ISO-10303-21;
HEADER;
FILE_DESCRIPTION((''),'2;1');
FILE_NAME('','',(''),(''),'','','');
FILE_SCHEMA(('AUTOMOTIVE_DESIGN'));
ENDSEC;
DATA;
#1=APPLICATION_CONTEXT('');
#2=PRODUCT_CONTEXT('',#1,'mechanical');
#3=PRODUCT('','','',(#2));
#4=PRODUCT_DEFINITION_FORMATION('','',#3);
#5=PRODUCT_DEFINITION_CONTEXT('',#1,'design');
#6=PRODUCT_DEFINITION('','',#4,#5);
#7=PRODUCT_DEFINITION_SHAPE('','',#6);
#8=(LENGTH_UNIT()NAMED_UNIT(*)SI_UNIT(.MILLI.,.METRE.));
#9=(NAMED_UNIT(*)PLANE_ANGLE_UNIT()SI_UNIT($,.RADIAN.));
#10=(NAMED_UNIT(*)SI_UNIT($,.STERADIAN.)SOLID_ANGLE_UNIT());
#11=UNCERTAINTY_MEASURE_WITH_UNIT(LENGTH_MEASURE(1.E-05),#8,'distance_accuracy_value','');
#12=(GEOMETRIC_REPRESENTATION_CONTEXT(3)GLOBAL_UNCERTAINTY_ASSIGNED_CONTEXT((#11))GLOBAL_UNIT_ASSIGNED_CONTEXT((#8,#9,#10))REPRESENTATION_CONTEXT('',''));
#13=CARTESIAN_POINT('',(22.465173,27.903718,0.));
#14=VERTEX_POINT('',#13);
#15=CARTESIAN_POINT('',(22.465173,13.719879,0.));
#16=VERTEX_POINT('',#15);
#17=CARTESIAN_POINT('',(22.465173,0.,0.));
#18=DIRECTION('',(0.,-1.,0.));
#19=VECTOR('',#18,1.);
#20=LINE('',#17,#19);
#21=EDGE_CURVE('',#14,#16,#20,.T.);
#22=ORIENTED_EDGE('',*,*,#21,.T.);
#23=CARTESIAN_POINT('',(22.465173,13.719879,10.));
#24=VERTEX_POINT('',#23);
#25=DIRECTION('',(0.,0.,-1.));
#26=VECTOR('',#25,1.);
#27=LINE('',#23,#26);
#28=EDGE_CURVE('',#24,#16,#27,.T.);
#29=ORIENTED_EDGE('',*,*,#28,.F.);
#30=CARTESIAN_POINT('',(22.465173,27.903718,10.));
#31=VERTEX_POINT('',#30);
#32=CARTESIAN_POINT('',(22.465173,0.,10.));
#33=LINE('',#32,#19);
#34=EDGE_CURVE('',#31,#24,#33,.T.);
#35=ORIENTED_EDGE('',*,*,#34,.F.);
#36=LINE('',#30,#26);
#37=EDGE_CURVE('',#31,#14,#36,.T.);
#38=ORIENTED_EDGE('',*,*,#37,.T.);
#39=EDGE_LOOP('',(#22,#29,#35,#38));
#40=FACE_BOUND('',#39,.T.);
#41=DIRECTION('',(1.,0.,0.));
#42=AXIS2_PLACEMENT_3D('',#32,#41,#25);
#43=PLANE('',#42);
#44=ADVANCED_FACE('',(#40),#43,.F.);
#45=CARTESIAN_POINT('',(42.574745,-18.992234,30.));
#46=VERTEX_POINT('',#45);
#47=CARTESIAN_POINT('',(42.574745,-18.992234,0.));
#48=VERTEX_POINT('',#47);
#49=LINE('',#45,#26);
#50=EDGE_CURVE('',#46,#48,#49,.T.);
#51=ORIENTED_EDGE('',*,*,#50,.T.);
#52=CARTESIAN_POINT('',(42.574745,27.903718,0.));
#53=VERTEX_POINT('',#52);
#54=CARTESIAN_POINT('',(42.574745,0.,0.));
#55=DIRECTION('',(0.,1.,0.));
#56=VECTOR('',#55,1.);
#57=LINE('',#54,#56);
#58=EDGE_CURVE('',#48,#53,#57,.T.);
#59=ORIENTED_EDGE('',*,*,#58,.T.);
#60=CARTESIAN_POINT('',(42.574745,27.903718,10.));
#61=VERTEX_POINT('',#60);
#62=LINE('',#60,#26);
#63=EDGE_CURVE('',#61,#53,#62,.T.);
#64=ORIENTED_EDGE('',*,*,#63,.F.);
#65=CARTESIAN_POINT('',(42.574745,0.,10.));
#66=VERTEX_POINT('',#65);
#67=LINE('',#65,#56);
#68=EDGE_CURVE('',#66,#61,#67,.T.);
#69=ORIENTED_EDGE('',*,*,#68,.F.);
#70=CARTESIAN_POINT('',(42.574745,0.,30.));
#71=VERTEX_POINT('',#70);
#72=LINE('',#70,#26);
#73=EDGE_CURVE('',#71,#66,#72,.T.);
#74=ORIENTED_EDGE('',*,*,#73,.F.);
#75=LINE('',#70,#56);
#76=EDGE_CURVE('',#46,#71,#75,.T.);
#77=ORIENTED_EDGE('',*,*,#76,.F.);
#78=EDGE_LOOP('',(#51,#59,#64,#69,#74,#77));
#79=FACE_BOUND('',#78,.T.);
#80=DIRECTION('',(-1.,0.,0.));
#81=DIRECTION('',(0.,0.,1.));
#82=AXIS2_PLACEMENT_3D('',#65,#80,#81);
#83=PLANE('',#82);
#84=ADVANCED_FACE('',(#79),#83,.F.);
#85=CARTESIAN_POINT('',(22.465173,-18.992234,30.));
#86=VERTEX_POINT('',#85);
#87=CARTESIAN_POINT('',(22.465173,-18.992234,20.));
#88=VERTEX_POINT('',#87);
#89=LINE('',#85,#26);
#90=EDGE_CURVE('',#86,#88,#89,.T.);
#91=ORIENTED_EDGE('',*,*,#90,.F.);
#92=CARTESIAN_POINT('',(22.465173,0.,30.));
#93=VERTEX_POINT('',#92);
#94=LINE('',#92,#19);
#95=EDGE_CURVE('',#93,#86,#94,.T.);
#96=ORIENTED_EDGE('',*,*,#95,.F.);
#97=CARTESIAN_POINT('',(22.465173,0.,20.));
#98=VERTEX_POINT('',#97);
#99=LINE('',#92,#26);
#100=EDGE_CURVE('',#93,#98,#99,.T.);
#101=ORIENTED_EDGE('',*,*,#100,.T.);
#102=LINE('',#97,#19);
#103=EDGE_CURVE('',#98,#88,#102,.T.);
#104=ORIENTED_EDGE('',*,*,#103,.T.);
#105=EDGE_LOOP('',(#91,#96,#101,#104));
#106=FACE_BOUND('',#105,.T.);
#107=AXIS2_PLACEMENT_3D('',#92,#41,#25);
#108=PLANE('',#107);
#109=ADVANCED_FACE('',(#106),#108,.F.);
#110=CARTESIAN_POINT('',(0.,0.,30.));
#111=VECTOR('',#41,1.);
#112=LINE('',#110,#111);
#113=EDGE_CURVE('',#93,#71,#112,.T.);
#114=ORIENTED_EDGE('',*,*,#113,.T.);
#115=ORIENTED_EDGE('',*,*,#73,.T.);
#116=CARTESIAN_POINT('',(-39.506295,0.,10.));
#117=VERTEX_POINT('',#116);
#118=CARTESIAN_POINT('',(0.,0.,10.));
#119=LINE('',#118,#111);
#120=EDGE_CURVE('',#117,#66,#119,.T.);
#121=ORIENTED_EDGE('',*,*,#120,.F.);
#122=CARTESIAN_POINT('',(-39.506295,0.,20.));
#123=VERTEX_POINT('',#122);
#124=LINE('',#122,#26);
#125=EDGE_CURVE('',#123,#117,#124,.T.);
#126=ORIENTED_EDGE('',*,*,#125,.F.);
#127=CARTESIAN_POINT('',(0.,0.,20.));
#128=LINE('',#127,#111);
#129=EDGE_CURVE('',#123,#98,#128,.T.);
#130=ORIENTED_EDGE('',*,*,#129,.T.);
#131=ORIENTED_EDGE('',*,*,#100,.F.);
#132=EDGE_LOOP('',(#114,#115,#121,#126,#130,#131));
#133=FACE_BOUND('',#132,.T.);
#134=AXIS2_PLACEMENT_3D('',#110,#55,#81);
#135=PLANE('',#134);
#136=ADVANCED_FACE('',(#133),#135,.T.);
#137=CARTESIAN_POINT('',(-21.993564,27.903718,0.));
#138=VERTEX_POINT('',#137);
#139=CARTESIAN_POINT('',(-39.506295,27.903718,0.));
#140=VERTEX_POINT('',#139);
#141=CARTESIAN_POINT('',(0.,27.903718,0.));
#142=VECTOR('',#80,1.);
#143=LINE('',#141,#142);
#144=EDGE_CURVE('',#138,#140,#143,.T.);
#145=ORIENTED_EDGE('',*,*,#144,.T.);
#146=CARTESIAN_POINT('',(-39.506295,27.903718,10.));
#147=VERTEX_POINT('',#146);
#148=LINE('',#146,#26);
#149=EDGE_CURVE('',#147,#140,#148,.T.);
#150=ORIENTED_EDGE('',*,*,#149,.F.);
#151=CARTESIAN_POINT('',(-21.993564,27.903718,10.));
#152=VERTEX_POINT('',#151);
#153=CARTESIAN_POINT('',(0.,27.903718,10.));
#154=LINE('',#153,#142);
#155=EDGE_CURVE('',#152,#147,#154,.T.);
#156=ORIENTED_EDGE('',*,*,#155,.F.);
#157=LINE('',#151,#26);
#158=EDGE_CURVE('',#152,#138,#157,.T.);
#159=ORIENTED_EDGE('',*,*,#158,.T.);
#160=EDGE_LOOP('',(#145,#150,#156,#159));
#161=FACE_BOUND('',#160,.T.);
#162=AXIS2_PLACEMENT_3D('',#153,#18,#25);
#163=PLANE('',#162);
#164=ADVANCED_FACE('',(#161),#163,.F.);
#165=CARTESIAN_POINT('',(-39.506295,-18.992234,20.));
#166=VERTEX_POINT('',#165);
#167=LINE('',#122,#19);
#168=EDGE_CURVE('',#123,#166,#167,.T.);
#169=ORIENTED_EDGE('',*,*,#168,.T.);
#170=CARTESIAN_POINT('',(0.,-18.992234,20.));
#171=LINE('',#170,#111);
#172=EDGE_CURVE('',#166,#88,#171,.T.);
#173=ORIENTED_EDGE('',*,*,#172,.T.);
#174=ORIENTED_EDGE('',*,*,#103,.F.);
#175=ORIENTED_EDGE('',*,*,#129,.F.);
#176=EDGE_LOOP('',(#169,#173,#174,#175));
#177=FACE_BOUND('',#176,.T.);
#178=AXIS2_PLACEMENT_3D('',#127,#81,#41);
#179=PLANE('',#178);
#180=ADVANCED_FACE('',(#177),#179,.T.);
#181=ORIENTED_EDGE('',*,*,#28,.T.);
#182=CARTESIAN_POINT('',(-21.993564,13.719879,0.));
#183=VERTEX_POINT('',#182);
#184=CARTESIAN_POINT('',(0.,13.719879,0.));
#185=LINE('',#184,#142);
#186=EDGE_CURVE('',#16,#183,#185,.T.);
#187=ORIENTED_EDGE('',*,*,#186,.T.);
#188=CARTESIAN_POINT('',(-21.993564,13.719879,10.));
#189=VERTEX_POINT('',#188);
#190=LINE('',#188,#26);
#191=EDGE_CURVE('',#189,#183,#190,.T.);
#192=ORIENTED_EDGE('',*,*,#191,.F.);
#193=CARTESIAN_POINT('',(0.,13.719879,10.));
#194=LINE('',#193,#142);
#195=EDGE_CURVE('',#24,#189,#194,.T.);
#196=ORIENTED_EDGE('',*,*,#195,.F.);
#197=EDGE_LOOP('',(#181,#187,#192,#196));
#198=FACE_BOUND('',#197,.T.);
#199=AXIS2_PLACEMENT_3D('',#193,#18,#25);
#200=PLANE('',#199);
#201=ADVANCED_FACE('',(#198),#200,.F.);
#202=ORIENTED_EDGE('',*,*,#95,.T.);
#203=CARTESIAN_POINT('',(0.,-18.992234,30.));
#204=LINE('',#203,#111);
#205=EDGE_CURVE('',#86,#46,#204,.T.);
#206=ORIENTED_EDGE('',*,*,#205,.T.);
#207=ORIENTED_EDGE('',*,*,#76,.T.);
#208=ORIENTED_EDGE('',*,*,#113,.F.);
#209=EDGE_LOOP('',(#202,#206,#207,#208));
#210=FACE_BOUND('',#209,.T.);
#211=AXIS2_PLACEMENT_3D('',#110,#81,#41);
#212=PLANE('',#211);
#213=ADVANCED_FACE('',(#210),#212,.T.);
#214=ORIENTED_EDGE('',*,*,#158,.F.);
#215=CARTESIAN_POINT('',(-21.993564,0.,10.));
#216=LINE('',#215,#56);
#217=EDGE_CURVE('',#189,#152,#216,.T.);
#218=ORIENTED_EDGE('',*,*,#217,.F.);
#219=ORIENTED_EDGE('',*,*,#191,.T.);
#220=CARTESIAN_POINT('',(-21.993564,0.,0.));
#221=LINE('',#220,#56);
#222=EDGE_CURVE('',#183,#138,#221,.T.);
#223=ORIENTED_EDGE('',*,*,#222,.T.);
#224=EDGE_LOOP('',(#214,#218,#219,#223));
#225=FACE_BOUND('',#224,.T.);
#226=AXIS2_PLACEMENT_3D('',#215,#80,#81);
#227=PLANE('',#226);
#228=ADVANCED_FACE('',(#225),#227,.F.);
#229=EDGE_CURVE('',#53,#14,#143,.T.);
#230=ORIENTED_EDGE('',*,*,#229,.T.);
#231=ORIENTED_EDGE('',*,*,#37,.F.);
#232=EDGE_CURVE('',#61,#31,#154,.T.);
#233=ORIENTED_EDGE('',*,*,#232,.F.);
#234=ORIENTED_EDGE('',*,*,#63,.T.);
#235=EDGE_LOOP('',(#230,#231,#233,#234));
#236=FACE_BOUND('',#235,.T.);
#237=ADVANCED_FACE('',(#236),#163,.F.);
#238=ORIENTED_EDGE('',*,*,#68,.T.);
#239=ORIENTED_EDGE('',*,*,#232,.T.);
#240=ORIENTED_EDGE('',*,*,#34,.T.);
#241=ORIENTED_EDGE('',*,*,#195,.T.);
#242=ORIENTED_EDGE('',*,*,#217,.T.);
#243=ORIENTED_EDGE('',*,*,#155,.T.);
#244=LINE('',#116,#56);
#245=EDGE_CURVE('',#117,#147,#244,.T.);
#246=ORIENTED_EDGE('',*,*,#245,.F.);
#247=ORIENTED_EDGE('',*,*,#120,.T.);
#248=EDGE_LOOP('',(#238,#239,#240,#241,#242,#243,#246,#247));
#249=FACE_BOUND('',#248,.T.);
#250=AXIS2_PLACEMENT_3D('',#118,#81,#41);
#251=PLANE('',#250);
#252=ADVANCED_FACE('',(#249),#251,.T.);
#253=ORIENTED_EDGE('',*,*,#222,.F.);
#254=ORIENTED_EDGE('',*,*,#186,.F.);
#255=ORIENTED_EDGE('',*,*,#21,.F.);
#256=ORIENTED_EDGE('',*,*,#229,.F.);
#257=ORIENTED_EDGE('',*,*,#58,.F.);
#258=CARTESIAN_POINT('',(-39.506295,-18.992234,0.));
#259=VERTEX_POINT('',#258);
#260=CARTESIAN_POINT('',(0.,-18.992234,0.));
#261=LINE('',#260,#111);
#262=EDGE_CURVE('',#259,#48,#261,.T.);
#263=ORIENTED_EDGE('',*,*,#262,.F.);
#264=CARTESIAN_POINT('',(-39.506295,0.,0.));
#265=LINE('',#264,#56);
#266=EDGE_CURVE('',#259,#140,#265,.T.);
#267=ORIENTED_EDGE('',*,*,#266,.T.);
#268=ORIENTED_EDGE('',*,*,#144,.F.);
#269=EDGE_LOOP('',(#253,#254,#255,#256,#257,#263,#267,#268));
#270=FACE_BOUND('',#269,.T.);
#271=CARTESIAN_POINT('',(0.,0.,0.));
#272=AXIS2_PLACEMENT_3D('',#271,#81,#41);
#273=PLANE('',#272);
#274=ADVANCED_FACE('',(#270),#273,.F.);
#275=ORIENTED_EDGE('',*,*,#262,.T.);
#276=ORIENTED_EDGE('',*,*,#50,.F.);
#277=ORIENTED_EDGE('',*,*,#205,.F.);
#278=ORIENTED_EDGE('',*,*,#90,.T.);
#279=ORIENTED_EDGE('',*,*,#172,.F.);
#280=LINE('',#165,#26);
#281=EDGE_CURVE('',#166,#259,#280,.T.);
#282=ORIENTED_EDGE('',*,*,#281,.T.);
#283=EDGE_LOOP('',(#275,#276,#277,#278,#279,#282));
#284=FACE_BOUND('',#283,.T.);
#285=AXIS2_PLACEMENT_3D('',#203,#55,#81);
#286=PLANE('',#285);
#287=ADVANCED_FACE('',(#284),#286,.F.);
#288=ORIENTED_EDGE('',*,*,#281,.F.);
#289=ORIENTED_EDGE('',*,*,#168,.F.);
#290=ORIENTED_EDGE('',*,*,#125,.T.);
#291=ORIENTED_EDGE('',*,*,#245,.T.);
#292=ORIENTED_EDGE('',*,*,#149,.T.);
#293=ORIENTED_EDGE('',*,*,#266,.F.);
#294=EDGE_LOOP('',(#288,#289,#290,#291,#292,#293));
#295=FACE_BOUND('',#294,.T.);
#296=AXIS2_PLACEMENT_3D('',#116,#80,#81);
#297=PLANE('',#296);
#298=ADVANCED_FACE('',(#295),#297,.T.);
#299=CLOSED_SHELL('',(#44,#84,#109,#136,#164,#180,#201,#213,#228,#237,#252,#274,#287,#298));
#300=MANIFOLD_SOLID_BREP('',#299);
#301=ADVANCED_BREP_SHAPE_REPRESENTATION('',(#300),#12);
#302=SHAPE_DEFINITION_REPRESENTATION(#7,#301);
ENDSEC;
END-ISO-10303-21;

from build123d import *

# Parameters (mm, degrees)
EXTRUDE_1_DEPTH = 10
SKETCH_1_3_W    = 20.109572138
SKETCH_1_3_H    = 18.992234217
EXTRUDE_2_DEPTH = 30
SKETCH_1_4_W    = 61.971467386
SKETCH_1_4_H    = 18.992234217
EXTRUDE_3_DEPTH = 20


with BuildPart() as part:
    # 草圖1 → 填料-伸長1 (new body)
    with BuildSketch(Plane.XY):
        Polygon((-39.506294724, 27.903717876), (-39.506294724, 0), (22.465172662, 0), (42.5747448, 0), (42.5747448, 27.903717876), (22.465172662, 27.903717876), (22.465172662, 13.719879355), (-21.993563511, 13.719879355), (-21.993563511, 27.903717876), align=None)
    extrude(amount=EXTRUDE_1_DEPTH)

    # 草圖1<3> → 填料-伸長2 (add)
    with BuildSketch(Plane.XY):
        with Locations((32.519958731, -9.496117109)):
            Rectangle(SKETCH_1_3_W, SKETCH_1_3_H)
    extrude(amount=EXTRUDE_2_DEPTH)

    # 草圖1<4> → 填料-伸長3 (add)
    with BuildSketch(Plane.XY):
        with Locations((-8.520561031, -9.496117109)):
            Rectangle(SKETCH_1_4_W, SKETCH_1_4_H)
    extrude(amount=EXTRUDE_3_DEPTH)


solid = part.part
